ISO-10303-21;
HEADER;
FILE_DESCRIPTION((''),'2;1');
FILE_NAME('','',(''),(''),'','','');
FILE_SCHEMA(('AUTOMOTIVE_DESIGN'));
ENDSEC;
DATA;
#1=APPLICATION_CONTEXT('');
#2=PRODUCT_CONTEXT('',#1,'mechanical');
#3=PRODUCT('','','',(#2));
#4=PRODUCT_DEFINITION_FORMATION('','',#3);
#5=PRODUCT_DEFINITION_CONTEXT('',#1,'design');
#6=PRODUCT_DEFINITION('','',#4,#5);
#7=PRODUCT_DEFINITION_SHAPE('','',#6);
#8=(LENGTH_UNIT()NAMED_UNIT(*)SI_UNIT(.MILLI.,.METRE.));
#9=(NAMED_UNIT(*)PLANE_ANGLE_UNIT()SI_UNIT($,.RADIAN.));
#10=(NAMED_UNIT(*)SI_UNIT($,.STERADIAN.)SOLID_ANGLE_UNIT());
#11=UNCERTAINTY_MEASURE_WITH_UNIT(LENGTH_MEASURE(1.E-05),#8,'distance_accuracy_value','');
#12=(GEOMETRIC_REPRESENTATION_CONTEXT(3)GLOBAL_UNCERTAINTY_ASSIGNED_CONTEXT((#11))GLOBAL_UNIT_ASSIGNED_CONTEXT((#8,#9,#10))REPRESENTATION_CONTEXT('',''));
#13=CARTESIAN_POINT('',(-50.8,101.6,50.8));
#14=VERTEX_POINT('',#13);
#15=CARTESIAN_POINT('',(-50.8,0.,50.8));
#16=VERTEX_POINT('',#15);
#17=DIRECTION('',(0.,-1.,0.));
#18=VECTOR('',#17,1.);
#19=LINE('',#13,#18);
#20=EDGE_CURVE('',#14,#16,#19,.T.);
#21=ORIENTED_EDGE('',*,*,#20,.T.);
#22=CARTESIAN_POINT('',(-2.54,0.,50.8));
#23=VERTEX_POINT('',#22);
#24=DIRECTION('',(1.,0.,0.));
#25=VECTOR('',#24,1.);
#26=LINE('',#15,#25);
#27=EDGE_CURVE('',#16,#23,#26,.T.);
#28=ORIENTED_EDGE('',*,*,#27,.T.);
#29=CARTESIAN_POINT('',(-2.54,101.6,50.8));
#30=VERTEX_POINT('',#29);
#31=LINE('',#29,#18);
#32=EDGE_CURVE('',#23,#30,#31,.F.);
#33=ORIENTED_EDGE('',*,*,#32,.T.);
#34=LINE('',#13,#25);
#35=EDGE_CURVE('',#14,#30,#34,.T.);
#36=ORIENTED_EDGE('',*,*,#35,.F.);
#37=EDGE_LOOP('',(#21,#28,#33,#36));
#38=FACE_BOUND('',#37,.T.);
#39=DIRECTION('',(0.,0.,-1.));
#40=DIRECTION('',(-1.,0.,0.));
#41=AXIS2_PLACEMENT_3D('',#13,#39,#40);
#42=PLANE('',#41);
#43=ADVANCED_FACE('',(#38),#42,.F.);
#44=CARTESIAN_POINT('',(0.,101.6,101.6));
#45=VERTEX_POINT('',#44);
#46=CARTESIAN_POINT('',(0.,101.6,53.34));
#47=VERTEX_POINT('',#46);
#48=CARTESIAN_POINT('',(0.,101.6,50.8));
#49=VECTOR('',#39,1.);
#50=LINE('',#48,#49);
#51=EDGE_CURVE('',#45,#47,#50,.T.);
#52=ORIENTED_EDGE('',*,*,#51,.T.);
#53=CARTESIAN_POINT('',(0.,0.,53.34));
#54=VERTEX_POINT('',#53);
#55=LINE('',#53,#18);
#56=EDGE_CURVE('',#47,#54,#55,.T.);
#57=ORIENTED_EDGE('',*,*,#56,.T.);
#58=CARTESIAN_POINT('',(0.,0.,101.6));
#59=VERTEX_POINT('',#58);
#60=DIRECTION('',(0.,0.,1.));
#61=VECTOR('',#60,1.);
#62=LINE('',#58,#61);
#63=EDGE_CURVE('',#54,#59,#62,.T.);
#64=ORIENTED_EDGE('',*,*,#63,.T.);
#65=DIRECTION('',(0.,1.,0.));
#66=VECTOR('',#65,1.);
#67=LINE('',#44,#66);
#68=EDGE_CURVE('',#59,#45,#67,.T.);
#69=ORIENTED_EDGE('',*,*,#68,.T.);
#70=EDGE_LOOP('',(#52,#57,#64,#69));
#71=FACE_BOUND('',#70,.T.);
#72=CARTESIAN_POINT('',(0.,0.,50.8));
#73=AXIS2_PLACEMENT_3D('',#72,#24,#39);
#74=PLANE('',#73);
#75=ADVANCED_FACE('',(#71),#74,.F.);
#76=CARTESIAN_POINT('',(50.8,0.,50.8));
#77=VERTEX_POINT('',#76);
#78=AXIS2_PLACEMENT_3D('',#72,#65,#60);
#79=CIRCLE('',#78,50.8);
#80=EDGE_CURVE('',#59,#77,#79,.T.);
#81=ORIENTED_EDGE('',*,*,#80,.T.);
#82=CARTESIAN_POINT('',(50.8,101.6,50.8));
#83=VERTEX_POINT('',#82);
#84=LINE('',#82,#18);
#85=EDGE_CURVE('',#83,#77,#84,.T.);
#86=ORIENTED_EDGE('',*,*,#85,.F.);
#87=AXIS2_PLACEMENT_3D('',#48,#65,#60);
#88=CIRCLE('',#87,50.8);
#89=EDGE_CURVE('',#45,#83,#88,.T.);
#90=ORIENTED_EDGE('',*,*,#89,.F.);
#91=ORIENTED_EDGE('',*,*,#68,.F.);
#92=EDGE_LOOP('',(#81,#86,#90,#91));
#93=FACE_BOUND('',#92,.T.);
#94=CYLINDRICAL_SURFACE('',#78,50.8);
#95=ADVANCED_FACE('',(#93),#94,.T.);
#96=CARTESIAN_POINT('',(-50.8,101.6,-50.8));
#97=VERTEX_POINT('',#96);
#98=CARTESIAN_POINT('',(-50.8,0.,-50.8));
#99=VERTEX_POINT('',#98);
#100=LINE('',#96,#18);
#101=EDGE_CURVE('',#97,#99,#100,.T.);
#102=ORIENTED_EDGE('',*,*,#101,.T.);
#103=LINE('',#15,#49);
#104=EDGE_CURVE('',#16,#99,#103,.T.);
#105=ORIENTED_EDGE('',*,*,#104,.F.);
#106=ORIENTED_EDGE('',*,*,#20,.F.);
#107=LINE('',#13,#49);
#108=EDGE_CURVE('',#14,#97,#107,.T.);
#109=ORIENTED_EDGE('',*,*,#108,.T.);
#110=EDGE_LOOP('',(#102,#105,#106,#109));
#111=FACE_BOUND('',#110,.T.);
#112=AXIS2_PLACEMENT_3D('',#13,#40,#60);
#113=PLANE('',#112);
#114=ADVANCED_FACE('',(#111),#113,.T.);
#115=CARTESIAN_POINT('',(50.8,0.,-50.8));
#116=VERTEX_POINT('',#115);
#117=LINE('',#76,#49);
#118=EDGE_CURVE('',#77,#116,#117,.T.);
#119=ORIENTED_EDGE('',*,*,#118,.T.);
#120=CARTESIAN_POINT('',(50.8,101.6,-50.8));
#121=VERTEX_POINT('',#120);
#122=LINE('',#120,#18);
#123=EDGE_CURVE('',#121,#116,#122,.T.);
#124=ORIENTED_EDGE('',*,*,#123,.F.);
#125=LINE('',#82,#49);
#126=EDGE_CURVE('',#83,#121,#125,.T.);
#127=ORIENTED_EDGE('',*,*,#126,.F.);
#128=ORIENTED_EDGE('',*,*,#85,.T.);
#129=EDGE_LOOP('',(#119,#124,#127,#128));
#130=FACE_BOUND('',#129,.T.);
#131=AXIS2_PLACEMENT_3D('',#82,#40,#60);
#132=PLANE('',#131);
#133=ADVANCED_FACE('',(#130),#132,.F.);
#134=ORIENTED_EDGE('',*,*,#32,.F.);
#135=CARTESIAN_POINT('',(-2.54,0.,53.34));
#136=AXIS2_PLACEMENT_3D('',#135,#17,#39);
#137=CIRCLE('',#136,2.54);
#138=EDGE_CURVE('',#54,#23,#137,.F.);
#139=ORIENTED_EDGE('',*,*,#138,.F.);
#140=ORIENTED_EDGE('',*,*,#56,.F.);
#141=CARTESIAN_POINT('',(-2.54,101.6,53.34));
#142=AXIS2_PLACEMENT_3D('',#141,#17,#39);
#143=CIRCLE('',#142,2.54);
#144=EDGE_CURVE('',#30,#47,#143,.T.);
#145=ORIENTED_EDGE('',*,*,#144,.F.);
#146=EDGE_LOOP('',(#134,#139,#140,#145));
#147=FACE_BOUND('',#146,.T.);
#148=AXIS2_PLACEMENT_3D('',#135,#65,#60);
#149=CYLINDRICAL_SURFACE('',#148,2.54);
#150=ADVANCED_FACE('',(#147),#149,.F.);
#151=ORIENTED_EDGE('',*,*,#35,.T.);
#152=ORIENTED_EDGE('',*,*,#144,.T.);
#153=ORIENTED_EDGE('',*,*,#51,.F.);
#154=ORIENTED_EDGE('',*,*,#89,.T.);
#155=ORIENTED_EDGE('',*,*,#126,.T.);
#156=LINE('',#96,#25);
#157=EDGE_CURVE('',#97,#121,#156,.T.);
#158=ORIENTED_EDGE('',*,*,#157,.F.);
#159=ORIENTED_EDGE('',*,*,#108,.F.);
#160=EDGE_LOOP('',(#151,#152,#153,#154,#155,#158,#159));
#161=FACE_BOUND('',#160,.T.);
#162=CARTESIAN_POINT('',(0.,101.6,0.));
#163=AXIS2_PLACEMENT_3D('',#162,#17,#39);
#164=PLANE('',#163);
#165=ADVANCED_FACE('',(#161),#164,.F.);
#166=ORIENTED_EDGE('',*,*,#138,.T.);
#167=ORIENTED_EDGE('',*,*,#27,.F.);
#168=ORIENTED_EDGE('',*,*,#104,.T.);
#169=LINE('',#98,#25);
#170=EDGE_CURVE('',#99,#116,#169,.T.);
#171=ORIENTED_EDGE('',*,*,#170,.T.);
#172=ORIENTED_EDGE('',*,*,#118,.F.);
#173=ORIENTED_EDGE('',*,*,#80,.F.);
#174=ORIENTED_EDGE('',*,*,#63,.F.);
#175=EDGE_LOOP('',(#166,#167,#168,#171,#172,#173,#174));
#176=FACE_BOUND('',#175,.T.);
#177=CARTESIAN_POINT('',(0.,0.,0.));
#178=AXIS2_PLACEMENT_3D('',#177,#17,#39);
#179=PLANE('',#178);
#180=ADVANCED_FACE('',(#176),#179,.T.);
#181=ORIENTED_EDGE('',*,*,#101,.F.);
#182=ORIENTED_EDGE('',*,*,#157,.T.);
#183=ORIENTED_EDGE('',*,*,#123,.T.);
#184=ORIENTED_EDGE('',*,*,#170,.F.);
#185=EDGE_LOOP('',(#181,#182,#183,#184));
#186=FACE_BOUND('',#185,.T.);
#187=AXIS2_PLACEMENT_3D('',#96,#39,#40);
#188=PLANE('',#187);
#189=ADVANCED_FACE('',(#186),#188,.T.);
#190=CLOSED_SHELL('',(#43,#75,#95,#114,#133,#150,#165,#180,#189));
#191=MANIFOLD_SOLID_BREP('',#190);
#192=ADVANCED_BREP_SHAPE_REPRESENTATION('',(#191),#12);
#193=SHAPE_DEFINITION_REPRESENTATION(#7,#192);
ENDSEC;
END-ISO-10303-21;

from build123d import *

# Parameters (mm, degrees)
SKETCH1_W           = 101.6
SKETCH1_H           = 101.6
BOSS_EXTRUDE1_DEPTH = 101.6
SKETCH3_W           = 50.8
SKETCH3_H           = 101.6
REVOLVE1_ANGLE      = 90
FILLET1_R           = 2.54


with BuildPart() as part:
    # Sketch1 → Boss-Extrude1 (new body)
    with BuildSketch(Plane(origin=(0, 0, 0), x_dir=(1, 0, 0), z_dir=(0, 1, 0))):
        Rectangle(SKETCH1_W, SKETCH1_H)
    extrude(amount=BOSS_EXTRUDE1_DEPTH)

    # Sketch3 → Revolve1 (revolve)
    with BuildSketch(Plane.XY.offset(50.8)):
        with Locations((25.4, 50.8)):
            Rectangle(SKETCH3_W, SKETCH3_H)
    revolve(axis=Axis((0, 0, 50.8), (0, -1, 0)), revolution_arc=REVOLVE1_ANGLE)

    # Fillet1
    fillet1_edges = [part.edges().sort_by_distance(p)[0] for p in [
        (0, 50.8, 50.8),
    ]]
    fillet(fillet1_edges, radius=FILLET1_R)


solid = part.part
